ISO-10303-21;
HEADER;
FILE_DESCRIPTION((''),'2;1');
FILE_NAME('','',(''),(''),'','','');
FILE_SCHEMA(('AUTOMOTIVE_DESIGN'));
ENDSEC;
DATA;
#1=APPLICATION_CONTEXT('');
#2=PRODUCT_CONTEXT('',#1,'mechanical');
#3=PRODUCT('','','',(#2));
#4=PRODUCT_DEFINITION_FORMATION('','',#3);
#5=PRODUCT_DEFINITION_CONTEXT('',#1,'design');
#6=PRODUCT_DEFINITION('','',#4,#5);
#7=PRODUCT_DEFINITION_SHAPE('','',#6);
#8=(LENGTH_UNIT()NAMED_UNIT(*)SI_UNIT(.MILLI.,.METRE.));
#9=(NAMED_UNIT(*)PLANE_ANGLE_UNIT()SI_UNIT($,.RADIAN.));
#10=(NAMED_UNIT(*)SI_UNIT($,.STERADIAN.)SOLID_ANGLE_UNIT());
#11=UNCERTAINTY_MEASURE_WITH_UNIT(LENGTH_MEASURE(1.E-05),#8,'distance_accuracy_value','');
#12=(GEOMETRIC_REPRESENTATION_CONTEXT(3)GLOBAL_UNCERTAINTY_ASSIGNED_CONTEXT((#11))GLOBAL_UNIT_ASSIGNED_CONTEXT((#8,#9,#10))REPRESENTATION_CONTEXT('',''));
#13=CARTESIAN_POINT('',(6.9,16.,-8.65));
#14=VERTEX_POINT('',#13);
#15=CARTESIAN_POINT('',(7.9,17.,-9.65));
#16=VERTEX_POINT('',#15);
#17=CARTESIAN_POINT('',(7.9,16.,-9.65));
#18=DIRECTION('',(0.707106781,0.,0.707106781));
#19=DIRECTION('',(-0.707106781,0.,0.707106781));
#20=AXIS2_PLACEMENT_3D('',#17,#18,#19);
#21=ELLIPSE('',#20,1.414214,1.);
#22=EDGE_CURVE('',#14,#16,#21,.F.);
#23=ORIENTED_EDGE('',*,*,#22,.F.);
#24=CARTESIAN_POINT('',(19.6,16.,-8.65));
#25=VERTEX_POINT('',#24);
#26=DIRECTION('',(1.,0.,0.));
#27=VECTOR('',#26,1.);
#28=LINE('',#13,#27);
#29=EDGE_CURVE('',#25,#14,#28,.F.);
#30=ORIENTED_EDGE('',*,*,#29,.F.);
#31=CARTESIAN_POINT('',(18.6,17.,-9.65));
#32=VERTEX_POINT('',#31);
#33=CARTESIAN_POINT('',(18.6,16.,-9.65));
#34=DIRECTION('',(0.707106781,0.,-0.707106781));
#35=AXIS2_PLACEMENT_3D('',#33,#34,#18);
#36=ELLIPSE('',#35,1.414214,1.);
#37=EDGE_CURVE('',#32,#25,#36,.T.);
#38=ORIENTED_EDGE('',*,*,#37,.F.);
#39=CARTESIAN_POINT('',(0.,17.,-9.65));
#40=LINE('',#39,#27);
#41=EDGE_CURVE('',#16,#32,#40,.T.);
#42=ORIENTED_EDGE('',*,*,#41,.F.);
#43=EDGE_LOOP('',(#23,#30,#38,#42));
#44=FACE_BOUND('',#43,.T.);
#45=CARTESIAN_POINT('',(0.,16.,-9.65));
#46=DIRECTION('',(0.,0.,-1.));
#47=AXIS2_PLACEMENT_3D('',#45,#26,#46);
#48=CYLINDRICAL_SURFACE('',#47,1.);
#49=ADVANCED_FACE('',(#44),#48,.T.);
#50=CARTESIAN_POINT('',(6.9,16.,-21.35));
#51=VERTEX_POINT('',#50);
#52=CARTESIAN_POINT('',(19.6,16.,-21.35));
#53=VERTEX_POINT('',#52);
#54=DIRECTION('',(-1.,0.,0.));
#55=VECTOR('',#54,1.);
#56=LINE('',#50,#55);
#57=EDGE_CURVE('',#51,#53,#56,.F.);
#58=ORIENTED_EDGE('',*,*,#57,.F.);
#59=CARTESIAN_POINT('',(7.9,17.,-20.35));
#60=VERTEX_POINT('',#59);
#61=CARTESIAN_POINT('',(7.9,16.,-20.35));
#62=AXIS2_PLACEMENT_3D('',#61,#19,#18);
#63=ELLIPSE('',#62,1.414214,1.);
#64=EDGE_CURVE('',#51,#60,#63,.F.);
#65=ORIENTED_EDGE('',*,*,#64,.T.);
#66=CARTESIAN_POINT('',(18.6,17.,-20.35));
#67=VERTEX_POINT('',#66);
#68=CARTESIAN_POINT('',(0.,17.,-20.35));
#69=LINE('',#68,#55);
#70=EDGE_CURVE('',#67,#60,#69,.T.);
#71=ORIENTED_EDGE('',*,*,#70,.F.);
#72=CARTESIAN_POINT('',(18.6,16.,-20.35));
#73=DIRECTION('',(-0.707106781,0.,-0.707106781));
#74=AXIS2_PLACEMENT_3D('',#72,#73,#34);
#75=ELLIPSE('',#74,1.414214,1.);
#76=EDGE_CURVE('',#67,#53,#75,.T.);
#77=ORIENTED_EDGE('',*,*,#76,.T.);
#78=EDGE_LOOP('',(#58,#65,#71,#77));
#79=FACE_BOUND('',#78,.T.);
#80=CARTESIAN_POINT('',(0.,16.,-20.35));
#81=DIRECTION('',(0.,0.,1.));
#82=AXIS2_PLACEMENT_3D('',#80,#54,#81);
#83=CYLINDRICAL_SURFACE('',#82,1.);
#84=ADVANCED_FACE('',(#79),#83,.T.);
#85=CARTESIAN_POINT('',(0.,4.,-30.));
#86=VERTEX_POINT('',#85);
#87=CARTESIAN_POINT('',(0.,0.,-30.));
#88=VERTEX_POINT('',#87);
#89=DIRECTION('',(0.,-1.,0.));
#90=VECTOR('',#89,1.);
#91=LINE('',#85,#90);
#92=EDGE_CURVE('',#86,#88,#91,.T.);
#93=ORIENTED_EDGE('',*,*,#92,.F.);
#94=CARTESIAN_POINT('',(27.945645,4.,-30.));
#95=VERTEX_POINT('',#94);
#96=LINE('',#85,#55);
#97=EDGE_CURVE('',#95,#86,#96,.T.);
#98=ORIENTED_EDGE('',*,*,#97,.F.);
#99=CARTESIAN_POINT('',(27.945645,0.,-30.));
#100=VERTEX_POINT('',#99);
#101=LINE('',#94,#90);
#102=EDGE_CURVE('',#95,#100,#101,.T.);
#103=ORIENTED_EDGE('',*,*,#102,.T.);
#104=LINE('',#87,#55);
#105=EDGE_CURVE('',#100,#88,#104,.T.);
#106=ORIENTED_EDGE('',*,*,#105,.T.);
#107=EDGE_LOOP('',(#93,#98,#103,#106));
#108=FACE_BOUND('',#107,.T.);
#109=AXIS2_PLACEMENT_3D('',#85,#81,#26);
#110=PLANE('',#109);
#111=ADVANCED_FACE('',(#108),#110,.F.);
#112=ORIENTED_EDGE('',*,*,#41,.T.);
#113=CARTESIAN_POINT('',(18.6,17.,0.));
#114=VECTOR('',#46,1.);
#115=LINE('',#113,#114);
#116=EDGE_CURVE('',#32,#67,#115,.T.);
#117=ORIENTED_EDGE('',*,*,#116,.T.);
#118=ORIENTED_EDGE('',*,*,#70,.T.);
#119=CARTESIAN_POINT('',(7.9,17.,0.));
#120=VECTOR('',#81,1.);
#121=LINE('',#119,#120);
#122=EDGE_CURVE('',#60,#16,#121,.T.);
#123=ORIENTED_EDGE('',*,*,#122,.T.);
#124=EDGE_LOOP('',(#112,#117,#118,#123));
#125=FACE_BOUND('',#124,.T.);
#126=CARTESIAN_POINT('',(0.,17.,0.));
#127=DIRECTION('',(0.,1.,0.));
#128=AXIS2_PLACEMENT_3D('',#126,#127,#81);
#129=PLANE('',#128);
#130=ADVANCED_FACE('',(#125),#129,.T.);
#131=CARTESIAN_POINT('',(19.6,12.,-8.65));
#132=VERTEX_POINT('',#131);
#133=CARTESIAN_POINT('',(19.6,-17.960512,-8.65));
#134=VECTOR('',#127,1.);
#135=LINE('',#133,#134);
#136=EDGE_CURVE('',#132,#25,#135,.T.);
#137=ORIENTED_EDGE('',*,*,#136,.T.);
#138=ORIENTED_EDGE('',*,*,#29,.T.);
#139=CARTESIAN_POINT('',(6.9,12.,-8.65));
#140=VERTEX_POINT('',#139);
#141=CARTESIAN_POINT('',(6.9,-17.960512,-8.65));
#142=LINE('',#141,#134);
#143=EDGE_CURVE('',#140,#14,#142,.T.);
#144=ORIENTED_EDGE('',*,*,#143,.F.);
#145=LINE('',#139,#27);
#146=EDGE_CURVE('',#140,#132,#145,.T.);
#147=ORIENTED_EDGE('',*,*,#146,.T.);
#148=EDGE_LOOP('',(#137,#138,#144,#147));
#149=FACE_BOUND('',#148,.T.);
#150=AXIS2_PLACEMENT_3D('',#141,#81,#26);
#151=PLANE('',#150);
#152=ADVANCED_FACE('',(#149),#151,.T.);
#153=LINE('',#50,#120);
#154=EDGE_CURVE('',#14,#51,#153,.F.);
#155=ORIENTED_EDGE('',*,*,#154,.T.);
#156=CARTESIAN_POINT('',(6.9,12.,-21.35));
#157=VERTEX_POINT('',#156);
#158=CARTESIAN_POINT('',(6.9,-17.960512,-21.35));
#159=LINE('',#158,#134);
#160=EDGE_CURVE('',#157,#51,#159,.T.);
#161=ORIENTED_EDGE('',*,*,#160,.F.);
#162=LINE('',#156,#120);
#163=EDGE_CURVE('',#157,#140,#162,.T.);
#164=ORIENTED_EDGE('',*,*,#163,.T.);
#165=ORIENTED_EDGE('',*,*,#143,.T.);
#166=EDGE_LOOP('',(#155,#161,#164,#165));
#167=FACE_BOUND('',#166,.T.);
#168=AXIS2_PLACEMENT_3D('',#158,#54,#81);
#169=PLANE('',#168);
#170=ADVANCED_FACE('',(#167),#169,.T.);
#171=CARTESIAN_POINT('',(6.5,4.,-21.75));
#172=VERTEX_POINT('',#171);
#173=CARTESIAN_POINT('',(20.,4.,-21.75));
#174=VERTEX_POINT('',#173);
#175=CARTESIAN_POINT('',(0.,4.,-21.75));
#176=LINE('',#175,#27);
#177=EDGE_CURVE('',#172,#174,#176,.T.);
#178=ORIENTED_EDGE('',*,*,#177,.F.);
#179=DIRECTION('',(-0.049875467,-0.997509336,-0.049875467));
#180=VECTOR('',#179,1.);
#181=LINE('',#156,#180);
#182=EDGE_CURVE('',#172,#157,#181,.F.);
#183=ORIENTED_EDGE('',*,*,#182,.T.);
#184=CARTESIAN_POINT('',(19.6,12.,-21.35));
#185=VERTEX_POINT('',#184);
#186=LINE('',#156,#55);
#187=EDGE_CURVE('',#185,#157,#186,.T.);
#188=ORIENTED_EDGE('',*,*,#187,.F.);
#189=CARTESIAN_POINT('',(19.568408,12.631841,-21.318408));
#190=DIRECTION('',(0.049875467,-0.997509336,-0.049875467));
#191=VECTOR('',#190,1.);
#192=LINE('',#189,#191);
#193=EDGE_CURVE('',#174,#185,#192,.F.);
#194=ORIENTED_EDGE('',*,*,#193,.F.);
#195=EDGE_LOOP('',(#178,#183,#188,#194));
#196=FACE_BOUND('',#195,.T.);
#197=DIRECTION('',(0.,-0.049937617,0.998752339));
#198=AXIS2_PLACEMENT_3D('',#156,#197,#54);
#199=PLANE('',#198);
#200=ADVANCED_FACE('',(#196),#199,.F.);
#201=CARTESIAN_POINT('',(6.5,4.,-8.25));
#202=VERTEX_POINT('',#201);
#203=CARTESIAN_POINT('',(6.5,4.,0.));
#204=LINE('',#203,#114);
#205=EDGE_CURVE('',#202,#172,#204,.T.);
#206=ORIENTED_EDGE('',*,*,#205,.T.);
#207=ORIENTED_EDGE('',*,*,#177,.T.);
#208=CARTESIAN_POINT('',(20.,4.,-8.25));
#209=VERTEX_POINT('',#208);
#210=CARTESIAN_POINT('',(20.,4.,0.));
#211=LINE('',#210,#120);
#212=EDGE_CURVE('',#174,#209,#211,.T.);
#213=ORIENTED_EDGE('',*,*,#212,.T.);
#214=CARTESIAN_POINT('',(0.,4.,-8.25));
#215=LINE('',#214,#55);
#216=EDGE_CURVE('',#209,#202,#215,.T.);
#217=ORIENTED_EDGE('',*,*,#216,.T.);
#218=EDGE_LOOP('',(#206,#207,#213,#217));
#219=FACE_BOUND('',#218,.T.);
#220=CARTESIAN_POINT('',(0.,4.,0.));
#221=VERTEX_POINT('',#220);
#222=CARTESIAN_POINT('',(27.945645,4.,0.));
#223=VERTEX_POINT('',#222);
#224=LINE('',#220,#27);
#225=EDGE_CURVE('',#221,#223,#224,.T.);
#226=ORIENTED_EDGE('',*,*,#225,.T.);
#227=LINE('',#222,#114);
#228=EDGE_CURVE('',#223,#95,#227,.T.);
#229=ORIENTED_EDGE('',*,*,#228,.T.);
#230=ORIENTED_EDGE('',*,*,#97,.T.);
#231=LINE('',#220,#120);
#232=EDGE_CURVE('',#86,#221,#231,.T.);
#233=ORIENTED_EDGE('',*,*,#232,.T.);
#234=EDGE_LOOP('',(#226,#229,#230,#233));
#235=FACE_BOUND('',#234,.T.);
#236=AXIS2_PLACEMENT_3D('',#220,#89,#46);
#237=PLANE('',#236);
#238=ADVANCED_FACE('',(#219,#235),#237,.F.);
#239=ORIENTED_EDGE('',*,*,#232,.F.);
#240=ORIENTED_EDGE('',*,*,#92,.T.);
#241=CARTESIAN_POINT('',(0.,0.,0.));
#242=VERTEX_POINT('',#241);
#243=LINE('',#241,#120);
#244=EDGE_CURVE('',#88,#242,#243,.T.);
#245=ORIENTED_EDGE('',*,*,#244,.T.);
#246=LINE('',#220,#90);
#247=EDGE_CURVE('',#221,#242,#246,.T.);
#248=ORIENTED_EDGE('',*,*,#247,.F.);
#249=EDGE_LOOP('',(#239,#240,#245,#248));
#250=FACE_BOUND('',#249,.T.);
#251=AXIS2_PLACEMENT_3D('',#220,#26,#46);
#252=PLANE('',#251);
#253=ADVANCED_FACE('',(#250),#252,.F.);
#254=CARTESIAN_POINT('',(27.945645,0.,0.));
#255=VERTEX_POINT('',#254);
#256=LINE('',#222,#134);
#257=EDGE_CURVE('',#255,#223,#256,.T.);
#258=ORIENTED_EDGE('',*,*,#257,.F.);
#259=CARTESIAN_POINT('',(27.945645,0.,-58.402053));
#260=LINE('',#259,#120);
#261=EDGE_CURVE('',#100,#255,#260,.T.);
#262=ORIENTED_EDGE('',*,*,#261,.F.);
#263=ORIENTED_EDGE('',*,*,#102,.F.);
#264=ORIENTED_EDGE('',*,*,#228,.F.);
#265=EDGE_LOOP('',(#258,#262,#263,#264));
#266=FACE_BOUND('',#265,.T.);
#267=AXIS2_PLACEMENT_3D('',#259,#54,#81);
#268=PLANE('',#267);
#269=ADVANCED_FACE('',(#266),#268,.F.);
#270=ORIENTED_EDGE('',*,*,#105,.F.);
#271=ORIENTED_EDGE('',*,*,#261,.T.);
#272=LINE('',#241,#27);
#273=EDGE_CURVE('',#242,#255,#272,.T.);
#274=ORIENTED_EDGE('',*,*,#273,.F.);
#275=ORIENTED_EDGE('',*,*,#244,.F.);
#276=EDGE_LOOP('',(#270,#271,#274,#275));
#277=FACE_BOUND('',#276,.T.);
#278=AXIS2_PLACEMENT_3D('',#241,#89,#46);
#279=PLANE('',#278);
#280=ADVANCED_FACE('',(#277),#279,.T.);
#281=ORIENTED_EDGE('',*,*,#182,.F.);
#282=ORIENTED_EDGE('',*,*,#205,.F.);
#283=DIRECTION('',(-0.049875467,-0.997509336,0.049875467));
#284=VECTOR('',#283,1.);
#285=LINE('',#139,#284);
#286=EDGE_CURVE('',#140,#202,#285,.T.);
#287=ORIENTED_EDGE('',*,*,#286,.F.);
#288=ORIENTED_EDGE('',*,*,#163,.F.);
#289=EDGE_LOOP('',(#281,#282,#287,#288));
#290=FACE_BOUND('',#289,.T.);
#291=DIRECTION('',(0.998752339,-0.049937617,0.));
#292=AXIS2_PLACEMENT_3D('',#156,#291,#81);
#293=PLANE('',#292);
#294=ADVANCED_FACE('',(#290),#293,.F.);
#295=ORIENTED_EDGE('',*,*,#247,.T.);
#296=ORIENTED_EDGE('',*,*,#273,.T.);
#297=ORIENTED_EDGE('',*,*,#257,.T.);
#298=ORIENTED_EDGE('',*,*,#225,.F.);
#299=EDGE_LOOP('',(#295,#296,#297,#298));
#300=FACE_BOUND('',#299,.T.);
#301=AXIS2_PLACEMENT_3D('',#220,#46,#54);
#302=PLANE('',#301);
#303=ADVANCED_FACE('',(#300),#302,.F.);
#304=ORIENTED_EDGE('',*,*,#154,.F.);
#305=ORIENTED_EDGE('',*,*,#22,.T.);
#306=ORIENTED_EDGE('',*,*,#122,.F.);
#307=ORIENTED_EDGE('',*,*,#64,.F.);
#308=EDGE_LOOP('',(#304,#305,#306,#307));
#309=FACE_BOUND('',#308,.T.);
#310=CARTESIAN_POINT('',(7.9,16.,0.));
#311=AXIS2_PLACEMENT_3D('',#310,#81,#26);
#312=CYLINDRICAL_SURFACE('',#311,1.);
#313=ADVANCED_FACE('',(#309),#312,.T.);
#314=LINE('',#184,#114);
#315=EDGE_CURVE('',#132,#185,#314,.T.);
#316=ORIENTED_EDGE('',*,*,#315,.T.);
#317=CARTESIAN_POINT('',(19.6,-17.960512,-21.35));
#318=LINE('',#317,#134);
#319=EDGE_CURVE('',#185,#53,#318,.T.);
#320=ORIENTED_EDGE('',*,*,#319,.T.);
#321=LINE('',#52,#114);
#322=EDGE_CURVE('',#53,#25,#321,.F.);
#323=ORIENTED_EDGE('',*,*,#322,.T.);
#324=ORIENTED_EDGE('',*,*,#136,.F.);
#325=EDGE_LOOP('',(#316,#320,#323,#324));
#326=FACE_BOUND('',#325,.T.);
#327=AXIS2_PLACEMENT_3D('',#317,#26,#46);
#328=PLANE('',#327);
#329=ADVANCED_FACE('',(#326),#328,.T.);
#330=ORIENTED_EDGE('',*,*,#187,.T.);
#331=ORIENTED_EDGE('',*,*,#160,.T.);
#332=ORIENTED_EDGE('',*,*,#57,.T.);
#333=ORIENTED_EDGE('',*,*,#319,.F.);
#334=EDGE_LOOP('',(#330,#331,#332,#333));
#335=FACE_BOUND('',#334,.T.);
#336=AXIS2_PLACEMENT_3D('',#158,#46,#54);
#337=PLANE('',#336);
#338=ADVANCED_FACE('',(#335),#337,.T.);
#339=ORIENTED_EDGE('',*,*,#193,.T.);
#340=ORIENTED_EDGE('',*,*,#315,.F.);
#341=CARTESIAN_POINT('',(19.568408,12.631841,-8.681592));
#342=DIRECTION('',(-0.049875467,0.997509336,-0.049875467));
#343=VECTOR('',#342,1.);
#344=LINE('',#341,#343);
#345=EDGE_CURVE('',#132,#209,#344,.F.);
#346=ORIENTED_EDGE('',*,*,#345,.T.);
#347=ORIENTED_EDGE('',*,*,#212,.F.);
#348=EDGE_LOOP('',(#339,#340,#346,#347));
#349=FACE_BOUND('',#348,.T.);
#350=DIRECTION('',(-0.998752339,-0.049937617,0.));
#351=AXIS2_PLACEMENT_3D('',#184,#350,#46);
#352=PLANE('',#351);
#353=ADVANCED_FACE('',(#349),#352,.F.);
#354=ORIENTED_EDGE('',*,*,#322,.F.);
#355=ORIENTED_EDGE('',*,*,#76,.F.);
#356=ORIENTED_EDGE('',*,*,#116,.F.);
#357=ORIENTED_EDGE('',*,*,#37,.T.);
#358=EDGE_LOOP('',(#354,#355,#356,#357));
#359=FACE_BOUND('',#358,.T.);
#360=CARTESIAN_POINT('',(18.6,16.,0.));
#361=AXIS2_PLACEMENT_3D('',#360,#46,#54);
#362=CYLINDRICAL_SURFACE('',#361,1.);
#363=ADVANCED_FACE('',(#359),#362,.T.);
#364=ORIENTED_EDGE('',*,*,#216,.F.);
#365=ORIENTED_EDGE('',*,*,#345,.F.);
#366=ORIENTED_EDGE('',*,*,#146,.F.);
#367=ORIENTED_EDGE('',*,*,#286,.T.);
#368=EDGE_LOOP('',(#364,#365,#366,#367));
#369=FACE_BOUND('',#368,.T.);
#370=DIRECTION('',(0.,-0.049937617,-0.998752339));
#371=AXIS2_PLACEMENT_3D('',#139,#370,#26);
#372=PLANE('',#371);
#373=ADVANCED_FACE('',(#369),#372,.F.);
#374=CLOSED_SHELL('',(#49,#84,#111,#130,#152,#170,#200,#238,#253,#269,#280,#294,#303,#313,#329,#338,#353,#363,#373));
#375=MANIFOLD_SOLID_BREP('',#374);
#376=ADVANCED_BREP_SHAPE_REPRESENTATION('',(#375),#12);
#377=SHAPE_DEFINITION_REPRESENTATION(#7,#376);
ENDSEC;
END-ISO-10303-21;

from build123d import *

# Parameters (mm, degrees)
SKETCH1_W                = 240
SKETCH1_H                = 30
SKETCH1_W_2              = 12.7
SKETCH1_H_2              = 12.7
BOSS_EXTRUDE1_DEPTH      = 4
SKETCH2_W                = 12.7
SKETCH2_H                = 12.7
BOSS_EXTRUDE2_DEPTH      = 13
BOSS_EXTRUDE2_DEPTH_BACK = 4
SKETCH3_W                = 217.126937851
SKETCH3_H                = 95.437848018
CUT_EXTRUDE1_DEPTH       = 14
CUT_EXTRUDE1_DEPTH_BACK  = 5
FILLET1_R                = 1
CHAMFER1_SIZE            = 0.4
CHAMFER1_SIZE2           = 8


with BuildPart() as part:
    # Sketch1 → Boss-Extrude1 (new body)
    with BuildSketch(Plane(origin=(0, 0, 0), x_dir=(1, 0, 0), z_dir=(0, 1, 0))):
        with Locations((120, 15)):
            Rectangle(SKETCH1_W, SKETCH1_H)
        with Locations((13.25, 15)):
            Rectangle(SKETCH1_W_2, SKETCH1_H_2, mode=Mode.SUBTRACT)
        with Locations((43.75, 15)):
            Rectangle(SKETCH1_W_2, SKETCH1_H_2, mode=Mode.SUBTRACT)
        with Locations((74.25, 15)):
            Rectangle(SKETCH1_W_2, SKETCH1_H_2, mode=Mode.SUBTRACT)
        with Locations((104.75, 15)):
            Rectangle(SKETCH1_W_2, SKETCH1_H_2, mode=Mode.SUBTRACT)
        with Locations((135.25, 15)):
            Rectangle(SKETCH1_W_2, SKETCH1_H_2, mode=Mode.SUBTRACT)
        with Locations((165.75, 15)):
            Rectangle(SKETCH1_W_2, SKETCH1_H_2, mode=Mode.SUBTRACT)
        with Locations((196.25, 15)):
            Rectangle(SKETCH1_W_2, SKETCH1_H_2, mode=Mode.SUBTRACT)
        with Locations((226.75, 15)):
            Rectangle(SKETCH1_W_2, SKETCH1_H_2, mode=Mode.SUBTRACT)
    extrude(amount=BOSS_EXTRUDE1_DEPTH)

    # Sketch2 → Boss-Extrude2 (add, two sides)
    with BuildSketch(Plane(origin=(0, 4, 0), x_dir=(1, 0, 0), z_dir=(0, 1, 0))) as boss_extrude2_sk:
        with Locations((13.25, 15)):
            Rectangle(SKETCH2_W, SKETCH2_H)
        with Locations((43.75, 15)):
            Rectangle(SKETCH2_W, SKETCH2_H)
        with Locations((74.25, 15)):
            Rectangle(SKETCH2_W, SKETCH2_H)
        with Locations((104.75, 15)):
            Rectangle(SKETCH2_W, SKETCH2_H)
        with Locations((135.25, 15)):
            Rectangle(SKETCH2_W, SKETCH2_H)
        with Locations((165.75, 15)):
            Rectangle(SKETCH2_W, SKETCH2_H)
        with Locations((196.25, 15)):
            Rectangle(SKETCH2_W, SKETCH2_H)
        with Locations((226.75, 15)):
            Rectangle(SKETCH2_W, SKETCH2_H)
    extrude(amount=BOSS_EXTRUDE2_DEPTH)
    extrude(boss_extrude2_sk.sketch, amount=-BOSS_EXTRUDE2_DEPTH_BACK)

    # Sketch3 → Cut-Extrude1 (cut, two sides)
    with BuildSketch(Plane(origin=(0, 4, 0), x_dir=(1, 0, 0), z_dir=(0, 1, 0))) as cut_extrude1_sk:
        with Locations((136.509114297, 10.683129124)):
            Rectangle(SKETCH3_W, SKETCH3_H)
    extrude(amount=CUT_EXTRUDE1_DEPTH, mode=Mode.SUBTRACT)
    extrude(cut_extrude1_sk.sketch, amount=-CUT_EXTRUDE1_DEPTH_BACK, mode=Mode.SUBTRACT)

    # Fillet1
    fillet1_edges = [part.edges().sort_by_distance(p)[0] for p in [
        (6.9, 17, -15),
        (13.25, 17, -8.65),
        (19.6, 17, -15),
        (13.25, 17, -21.35),
    ]]
    fillet(fillet1_edges, radius=FILLET1_R)

    # Chamfer1
    chamfer1_edges = [part.edges().sort_by_distance(p)[0] for p in [
        (6.9, 4, -15),
        (13.25, 4, -8.65),
        (19.6, 4, -15),
        (13.25, 4, -21.35),
    ]]
    chamfer1_side = [part.faces().sort_by_distance(p)[0] for p in [
        (0.409995012, 4, -15),
    ]]
    chamfer(chamfer1_edges, length=CHAMFER1_SIZE, length2=CHAMFER1_SIZE2, reference=chamfer1_side[0])


solid = part.part
